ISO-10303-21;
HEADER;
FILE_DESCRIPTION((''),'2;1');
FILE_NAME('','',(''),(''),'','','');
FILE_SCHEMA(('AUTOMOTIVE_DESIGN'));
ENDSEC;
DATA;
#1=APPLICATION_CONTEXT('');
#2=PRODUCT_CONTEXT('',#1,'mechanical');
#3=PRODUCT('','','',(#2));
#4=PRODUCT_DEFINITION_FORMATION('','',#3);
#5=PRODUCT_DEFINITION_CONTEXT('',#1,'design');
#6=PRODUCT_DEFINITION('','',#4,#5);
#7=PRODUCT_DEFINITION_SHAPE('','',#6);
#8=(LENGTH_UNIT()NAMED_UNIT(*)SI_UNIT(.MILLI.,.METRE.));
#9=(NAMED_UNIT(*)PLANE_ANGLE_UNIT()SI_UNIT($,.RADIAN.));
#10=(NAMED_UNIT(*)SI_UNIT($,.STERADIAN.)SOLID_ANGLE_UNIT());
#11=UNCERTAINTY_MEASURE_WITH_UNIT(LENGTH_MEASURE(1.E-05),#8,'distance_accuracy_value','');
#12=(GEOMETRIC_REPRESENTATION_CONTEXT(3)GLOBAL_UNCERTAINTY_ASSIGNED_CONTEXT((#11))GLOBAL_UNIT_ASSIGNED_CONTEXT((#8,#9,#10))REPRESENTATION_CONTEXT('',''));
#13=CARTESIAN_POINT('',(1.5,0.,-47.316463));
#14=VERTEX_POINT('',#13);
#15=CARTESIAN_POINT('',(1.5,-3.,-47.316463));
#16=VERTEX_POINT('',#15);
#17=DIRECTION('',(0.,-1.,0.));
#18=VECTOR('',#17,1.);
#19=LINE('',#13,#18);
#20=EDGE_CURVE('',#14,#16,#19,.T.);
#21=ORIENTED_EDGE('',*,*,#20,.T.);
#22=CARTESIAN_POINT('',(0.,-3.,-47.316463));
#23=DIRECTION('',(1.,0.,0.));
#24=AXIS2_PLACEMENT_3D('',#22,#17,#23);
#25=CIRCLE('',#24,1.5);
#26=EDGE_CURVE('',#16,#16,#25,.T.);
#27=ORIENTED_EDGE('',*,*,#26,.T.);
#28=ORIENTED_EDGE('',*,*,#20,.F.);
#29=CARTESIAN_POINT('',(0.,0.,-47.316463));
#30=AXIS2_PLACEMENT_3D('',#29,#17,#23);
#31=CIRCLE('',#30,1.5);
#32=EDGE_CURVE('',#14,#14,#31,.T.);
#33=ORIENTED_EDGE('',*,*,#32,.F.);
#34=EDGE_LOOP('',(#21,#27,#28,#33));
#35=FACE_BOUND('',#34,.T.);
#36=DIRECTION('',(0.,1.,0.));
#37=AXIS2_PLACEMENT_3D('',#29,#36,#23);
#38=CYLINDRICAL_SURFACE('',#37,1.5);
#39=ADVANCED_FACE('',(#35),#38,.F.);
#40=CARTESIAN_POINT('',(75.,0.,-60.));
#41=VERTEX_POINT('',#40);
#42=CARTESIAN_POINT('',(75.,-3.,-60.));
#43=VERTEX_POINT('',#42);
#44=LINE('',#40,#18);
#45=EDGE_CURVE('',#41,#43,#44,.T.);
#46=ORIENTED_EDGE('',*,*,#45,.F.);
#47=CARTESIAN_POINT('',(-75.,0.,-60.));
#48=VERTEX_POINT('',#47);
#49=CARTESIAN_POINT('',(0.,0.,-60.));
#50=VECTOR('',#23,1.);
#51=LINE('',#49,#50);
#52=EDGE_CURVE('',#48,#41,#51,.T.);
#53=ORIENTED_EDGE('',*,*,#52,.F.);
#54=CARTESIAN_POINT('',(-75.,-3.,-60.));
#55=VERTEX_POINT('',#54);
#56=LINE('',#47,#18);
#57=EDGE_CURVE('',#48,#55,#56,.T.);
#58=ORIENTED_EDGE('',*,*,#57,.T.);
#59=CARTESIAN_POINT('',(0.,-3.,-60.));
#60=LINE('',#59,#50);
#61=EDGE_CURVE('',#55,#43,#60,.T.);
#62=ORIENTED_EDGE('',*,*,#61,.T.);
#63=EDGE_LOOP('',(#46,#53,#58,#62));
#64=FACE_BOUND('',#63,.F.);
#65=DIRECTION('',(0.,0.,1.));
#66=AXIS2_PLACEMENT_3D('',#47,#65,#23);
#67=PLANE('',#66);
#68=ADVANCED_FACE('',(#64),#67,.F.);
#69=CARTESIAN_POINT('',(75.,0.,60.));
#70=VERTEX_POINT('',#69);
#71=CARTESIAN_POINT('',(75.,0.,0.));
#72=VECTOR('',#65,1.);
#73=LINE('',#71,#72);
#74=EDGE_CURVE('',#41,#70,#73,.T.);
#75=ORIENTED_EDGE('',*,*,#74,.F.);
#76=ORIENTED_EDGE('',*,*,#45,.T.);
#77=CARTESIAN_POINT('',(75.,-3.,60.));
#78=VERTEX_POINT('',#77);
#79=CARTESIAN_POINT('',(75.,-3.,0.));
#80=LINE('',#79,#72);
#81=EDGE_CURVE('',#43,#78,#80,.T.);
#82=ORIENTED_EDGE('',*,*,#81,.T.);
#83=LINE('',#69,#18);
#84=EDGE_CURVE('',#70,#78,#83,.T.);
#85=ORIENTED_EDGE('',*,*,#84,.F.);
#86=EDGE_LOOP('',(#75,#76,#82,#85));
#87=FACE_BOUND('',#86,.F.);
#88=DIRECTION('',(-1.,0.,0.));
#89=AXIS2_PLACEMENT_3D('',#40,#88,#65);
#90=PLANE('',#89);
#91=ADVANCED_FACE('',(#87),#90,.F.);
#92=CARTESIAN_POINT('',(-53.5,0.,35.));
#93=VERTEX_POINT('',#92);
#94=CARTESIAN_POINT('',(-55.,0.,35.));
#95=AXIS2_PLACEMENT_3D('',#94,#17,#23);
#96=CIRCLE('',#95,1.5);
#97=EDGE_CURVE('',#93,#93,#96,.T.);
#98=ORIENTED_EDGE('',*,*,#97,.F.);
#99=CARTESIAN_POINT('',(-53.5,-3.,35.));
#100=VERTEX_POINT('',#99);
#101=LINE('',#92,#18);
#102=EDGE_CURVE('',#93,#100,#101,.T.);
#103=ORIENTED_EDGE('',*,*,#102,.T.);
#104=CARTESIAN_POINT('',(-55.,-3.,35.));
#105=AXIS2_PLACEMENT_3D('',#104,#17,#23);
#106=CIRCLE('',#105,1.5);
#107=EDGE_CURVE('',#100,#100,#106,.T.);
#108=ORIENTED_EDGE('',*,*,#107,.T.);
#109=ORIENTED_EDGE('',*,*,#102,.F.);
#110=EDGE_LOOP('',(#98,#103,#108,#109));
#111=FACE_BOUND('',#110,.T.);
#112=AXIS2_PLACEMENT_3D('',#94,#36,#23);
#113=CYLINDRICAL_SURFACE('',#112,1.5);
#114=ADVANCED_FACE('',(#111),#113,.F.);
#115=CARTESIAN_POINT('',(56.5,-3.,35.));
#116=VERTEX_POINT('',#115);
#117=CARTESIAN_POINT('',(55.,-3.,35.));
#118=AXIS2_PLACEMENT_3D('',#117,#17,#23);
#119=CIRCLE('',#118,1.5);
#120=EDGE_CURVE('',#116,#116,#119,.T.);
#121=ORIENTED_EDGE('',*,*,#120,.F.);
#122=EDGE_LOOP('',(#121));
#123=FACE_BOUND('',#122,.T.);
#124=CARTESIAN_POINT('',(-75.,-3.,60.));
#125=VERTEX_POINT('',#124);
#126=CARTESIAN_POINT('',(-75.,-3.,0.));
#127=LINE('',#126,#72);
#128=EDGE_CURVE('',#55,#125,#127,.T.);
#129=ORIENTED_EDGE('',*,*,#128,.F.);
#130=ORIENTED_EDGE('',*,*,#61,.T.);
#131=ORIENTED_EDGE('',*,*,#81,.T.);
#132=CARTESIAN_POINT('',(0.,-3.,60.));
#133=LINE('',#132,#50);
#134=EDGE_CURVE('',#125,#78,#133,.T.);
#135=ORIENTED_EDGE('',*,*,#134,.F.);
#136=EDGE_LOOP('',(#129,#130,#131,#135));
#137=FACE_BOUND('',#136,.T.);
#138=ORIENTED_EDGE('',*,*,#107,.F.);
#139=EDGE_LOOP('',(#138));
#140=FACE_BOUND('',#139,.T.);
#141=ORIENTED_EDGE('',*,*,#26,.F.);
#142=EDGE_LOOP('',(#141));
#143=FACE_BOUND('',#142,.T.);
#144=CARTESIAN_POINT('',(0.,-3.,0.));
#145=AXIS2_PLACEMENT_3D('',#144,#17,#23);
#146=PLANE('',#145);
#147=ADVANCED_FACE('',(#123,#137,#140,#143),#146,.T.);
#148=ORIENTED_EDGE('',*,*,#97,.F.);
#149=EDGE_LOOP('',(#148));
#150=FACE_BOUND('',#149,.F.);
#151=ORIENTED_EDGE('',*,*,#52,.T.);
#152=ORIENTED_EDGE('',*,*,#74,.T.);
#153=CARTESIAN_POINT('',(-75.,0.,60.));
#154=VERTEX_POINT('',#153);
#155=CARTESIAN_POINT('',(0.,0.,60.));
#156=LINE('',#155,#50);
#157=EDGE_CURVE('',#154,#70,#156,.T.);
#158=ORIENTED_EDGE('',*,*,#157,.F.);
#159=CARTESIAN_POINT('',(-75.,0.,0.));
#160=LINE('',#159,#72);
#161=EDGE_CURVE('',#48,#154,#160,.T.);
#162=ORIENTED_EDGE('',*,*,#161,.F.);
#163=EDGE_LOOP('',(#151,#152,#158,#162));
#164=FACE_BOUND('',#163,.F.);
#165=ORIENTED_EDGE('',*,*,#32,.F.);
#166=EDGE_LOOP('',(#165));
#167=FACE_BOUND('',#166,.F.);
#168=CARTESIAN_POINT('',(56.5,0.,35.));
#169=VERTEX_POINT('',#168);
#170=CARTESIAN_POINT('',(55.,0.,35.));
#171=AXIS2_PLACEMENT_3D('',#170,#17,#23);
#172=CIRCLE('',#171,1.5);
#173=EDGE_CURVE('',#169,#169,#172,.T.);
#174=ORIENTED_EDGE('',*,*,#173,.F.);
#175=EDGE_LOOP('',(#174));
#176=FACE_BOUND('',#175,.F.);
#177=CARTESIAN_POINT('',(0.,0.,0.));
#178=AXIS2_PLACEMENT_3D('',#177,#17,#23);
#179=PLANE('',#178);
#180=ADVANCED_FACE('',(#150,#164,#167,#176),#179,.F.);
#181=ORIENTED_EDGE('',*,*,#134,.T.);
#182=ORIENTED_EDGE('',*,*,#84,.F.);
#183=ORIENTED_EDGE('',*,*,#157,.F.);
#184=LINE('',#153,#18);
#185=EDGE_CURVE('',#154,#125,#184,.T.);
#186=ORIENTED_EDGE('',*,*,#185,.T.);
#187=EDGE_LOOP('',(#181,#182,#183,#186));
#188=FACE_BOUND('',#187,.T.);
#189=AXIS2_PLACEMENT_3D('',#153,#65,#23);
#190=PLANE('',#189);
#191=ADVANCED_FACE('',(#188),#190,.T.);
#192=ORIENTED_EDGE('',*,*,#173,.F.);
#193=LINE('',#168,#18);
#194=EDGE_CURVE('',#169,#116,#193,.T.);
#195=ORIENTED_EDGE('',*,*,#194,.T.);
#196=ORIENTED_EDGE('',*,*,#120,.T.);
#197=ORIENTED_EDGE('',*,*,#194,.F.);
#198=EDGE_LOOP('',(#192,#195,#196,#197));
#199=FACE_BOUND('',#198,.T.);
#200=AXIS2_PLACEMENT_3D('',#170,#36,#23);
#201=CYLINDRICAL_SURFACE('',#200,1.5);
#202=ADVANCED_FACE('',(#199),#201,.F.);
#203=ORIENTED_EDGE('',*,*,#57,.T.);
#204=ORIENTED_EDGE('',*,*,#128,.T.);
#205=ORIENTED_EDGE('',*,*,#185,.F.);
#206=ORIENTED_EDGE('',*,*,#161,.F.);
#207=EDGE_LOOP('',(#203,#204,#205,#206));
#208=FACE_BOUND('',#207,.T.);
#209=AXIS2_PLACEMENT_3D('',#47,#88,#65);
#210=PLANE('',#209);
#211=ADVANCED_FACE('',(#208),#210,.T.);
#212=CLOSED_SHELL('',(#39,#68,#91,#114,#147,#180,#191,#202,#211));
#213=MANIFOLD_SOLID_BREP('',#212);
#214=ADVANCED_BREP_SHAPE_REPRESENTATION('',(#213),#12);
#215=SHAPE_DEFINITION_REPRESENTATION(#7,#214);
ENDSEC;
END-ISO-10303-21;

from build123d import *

# Parameters (mm, degrees)
F0_W     = 150
F0_H     = 120
F0_R     = 1.5
F1_DEPTH = 3


with BuildPart() as f1:
    # F0 (on Front) → F1 (new body)
    with BuildSketch(Plane.XZ):
        Rectangle(F0_W, F0_H)
        with Locations((0, -47.316463)):
            Circle(F0_R, mode=Mode.SUBTRACT)
        with Locations((-55, 35)):
            Circle(F0_R, mode=Mode.SUBTRACT)
        with Locations((55, 35)):
            Circle(F0_R, mode=Mode.SUBTRACT)
    extrude(amount=F1_DEPTH)


solid = f1.part
